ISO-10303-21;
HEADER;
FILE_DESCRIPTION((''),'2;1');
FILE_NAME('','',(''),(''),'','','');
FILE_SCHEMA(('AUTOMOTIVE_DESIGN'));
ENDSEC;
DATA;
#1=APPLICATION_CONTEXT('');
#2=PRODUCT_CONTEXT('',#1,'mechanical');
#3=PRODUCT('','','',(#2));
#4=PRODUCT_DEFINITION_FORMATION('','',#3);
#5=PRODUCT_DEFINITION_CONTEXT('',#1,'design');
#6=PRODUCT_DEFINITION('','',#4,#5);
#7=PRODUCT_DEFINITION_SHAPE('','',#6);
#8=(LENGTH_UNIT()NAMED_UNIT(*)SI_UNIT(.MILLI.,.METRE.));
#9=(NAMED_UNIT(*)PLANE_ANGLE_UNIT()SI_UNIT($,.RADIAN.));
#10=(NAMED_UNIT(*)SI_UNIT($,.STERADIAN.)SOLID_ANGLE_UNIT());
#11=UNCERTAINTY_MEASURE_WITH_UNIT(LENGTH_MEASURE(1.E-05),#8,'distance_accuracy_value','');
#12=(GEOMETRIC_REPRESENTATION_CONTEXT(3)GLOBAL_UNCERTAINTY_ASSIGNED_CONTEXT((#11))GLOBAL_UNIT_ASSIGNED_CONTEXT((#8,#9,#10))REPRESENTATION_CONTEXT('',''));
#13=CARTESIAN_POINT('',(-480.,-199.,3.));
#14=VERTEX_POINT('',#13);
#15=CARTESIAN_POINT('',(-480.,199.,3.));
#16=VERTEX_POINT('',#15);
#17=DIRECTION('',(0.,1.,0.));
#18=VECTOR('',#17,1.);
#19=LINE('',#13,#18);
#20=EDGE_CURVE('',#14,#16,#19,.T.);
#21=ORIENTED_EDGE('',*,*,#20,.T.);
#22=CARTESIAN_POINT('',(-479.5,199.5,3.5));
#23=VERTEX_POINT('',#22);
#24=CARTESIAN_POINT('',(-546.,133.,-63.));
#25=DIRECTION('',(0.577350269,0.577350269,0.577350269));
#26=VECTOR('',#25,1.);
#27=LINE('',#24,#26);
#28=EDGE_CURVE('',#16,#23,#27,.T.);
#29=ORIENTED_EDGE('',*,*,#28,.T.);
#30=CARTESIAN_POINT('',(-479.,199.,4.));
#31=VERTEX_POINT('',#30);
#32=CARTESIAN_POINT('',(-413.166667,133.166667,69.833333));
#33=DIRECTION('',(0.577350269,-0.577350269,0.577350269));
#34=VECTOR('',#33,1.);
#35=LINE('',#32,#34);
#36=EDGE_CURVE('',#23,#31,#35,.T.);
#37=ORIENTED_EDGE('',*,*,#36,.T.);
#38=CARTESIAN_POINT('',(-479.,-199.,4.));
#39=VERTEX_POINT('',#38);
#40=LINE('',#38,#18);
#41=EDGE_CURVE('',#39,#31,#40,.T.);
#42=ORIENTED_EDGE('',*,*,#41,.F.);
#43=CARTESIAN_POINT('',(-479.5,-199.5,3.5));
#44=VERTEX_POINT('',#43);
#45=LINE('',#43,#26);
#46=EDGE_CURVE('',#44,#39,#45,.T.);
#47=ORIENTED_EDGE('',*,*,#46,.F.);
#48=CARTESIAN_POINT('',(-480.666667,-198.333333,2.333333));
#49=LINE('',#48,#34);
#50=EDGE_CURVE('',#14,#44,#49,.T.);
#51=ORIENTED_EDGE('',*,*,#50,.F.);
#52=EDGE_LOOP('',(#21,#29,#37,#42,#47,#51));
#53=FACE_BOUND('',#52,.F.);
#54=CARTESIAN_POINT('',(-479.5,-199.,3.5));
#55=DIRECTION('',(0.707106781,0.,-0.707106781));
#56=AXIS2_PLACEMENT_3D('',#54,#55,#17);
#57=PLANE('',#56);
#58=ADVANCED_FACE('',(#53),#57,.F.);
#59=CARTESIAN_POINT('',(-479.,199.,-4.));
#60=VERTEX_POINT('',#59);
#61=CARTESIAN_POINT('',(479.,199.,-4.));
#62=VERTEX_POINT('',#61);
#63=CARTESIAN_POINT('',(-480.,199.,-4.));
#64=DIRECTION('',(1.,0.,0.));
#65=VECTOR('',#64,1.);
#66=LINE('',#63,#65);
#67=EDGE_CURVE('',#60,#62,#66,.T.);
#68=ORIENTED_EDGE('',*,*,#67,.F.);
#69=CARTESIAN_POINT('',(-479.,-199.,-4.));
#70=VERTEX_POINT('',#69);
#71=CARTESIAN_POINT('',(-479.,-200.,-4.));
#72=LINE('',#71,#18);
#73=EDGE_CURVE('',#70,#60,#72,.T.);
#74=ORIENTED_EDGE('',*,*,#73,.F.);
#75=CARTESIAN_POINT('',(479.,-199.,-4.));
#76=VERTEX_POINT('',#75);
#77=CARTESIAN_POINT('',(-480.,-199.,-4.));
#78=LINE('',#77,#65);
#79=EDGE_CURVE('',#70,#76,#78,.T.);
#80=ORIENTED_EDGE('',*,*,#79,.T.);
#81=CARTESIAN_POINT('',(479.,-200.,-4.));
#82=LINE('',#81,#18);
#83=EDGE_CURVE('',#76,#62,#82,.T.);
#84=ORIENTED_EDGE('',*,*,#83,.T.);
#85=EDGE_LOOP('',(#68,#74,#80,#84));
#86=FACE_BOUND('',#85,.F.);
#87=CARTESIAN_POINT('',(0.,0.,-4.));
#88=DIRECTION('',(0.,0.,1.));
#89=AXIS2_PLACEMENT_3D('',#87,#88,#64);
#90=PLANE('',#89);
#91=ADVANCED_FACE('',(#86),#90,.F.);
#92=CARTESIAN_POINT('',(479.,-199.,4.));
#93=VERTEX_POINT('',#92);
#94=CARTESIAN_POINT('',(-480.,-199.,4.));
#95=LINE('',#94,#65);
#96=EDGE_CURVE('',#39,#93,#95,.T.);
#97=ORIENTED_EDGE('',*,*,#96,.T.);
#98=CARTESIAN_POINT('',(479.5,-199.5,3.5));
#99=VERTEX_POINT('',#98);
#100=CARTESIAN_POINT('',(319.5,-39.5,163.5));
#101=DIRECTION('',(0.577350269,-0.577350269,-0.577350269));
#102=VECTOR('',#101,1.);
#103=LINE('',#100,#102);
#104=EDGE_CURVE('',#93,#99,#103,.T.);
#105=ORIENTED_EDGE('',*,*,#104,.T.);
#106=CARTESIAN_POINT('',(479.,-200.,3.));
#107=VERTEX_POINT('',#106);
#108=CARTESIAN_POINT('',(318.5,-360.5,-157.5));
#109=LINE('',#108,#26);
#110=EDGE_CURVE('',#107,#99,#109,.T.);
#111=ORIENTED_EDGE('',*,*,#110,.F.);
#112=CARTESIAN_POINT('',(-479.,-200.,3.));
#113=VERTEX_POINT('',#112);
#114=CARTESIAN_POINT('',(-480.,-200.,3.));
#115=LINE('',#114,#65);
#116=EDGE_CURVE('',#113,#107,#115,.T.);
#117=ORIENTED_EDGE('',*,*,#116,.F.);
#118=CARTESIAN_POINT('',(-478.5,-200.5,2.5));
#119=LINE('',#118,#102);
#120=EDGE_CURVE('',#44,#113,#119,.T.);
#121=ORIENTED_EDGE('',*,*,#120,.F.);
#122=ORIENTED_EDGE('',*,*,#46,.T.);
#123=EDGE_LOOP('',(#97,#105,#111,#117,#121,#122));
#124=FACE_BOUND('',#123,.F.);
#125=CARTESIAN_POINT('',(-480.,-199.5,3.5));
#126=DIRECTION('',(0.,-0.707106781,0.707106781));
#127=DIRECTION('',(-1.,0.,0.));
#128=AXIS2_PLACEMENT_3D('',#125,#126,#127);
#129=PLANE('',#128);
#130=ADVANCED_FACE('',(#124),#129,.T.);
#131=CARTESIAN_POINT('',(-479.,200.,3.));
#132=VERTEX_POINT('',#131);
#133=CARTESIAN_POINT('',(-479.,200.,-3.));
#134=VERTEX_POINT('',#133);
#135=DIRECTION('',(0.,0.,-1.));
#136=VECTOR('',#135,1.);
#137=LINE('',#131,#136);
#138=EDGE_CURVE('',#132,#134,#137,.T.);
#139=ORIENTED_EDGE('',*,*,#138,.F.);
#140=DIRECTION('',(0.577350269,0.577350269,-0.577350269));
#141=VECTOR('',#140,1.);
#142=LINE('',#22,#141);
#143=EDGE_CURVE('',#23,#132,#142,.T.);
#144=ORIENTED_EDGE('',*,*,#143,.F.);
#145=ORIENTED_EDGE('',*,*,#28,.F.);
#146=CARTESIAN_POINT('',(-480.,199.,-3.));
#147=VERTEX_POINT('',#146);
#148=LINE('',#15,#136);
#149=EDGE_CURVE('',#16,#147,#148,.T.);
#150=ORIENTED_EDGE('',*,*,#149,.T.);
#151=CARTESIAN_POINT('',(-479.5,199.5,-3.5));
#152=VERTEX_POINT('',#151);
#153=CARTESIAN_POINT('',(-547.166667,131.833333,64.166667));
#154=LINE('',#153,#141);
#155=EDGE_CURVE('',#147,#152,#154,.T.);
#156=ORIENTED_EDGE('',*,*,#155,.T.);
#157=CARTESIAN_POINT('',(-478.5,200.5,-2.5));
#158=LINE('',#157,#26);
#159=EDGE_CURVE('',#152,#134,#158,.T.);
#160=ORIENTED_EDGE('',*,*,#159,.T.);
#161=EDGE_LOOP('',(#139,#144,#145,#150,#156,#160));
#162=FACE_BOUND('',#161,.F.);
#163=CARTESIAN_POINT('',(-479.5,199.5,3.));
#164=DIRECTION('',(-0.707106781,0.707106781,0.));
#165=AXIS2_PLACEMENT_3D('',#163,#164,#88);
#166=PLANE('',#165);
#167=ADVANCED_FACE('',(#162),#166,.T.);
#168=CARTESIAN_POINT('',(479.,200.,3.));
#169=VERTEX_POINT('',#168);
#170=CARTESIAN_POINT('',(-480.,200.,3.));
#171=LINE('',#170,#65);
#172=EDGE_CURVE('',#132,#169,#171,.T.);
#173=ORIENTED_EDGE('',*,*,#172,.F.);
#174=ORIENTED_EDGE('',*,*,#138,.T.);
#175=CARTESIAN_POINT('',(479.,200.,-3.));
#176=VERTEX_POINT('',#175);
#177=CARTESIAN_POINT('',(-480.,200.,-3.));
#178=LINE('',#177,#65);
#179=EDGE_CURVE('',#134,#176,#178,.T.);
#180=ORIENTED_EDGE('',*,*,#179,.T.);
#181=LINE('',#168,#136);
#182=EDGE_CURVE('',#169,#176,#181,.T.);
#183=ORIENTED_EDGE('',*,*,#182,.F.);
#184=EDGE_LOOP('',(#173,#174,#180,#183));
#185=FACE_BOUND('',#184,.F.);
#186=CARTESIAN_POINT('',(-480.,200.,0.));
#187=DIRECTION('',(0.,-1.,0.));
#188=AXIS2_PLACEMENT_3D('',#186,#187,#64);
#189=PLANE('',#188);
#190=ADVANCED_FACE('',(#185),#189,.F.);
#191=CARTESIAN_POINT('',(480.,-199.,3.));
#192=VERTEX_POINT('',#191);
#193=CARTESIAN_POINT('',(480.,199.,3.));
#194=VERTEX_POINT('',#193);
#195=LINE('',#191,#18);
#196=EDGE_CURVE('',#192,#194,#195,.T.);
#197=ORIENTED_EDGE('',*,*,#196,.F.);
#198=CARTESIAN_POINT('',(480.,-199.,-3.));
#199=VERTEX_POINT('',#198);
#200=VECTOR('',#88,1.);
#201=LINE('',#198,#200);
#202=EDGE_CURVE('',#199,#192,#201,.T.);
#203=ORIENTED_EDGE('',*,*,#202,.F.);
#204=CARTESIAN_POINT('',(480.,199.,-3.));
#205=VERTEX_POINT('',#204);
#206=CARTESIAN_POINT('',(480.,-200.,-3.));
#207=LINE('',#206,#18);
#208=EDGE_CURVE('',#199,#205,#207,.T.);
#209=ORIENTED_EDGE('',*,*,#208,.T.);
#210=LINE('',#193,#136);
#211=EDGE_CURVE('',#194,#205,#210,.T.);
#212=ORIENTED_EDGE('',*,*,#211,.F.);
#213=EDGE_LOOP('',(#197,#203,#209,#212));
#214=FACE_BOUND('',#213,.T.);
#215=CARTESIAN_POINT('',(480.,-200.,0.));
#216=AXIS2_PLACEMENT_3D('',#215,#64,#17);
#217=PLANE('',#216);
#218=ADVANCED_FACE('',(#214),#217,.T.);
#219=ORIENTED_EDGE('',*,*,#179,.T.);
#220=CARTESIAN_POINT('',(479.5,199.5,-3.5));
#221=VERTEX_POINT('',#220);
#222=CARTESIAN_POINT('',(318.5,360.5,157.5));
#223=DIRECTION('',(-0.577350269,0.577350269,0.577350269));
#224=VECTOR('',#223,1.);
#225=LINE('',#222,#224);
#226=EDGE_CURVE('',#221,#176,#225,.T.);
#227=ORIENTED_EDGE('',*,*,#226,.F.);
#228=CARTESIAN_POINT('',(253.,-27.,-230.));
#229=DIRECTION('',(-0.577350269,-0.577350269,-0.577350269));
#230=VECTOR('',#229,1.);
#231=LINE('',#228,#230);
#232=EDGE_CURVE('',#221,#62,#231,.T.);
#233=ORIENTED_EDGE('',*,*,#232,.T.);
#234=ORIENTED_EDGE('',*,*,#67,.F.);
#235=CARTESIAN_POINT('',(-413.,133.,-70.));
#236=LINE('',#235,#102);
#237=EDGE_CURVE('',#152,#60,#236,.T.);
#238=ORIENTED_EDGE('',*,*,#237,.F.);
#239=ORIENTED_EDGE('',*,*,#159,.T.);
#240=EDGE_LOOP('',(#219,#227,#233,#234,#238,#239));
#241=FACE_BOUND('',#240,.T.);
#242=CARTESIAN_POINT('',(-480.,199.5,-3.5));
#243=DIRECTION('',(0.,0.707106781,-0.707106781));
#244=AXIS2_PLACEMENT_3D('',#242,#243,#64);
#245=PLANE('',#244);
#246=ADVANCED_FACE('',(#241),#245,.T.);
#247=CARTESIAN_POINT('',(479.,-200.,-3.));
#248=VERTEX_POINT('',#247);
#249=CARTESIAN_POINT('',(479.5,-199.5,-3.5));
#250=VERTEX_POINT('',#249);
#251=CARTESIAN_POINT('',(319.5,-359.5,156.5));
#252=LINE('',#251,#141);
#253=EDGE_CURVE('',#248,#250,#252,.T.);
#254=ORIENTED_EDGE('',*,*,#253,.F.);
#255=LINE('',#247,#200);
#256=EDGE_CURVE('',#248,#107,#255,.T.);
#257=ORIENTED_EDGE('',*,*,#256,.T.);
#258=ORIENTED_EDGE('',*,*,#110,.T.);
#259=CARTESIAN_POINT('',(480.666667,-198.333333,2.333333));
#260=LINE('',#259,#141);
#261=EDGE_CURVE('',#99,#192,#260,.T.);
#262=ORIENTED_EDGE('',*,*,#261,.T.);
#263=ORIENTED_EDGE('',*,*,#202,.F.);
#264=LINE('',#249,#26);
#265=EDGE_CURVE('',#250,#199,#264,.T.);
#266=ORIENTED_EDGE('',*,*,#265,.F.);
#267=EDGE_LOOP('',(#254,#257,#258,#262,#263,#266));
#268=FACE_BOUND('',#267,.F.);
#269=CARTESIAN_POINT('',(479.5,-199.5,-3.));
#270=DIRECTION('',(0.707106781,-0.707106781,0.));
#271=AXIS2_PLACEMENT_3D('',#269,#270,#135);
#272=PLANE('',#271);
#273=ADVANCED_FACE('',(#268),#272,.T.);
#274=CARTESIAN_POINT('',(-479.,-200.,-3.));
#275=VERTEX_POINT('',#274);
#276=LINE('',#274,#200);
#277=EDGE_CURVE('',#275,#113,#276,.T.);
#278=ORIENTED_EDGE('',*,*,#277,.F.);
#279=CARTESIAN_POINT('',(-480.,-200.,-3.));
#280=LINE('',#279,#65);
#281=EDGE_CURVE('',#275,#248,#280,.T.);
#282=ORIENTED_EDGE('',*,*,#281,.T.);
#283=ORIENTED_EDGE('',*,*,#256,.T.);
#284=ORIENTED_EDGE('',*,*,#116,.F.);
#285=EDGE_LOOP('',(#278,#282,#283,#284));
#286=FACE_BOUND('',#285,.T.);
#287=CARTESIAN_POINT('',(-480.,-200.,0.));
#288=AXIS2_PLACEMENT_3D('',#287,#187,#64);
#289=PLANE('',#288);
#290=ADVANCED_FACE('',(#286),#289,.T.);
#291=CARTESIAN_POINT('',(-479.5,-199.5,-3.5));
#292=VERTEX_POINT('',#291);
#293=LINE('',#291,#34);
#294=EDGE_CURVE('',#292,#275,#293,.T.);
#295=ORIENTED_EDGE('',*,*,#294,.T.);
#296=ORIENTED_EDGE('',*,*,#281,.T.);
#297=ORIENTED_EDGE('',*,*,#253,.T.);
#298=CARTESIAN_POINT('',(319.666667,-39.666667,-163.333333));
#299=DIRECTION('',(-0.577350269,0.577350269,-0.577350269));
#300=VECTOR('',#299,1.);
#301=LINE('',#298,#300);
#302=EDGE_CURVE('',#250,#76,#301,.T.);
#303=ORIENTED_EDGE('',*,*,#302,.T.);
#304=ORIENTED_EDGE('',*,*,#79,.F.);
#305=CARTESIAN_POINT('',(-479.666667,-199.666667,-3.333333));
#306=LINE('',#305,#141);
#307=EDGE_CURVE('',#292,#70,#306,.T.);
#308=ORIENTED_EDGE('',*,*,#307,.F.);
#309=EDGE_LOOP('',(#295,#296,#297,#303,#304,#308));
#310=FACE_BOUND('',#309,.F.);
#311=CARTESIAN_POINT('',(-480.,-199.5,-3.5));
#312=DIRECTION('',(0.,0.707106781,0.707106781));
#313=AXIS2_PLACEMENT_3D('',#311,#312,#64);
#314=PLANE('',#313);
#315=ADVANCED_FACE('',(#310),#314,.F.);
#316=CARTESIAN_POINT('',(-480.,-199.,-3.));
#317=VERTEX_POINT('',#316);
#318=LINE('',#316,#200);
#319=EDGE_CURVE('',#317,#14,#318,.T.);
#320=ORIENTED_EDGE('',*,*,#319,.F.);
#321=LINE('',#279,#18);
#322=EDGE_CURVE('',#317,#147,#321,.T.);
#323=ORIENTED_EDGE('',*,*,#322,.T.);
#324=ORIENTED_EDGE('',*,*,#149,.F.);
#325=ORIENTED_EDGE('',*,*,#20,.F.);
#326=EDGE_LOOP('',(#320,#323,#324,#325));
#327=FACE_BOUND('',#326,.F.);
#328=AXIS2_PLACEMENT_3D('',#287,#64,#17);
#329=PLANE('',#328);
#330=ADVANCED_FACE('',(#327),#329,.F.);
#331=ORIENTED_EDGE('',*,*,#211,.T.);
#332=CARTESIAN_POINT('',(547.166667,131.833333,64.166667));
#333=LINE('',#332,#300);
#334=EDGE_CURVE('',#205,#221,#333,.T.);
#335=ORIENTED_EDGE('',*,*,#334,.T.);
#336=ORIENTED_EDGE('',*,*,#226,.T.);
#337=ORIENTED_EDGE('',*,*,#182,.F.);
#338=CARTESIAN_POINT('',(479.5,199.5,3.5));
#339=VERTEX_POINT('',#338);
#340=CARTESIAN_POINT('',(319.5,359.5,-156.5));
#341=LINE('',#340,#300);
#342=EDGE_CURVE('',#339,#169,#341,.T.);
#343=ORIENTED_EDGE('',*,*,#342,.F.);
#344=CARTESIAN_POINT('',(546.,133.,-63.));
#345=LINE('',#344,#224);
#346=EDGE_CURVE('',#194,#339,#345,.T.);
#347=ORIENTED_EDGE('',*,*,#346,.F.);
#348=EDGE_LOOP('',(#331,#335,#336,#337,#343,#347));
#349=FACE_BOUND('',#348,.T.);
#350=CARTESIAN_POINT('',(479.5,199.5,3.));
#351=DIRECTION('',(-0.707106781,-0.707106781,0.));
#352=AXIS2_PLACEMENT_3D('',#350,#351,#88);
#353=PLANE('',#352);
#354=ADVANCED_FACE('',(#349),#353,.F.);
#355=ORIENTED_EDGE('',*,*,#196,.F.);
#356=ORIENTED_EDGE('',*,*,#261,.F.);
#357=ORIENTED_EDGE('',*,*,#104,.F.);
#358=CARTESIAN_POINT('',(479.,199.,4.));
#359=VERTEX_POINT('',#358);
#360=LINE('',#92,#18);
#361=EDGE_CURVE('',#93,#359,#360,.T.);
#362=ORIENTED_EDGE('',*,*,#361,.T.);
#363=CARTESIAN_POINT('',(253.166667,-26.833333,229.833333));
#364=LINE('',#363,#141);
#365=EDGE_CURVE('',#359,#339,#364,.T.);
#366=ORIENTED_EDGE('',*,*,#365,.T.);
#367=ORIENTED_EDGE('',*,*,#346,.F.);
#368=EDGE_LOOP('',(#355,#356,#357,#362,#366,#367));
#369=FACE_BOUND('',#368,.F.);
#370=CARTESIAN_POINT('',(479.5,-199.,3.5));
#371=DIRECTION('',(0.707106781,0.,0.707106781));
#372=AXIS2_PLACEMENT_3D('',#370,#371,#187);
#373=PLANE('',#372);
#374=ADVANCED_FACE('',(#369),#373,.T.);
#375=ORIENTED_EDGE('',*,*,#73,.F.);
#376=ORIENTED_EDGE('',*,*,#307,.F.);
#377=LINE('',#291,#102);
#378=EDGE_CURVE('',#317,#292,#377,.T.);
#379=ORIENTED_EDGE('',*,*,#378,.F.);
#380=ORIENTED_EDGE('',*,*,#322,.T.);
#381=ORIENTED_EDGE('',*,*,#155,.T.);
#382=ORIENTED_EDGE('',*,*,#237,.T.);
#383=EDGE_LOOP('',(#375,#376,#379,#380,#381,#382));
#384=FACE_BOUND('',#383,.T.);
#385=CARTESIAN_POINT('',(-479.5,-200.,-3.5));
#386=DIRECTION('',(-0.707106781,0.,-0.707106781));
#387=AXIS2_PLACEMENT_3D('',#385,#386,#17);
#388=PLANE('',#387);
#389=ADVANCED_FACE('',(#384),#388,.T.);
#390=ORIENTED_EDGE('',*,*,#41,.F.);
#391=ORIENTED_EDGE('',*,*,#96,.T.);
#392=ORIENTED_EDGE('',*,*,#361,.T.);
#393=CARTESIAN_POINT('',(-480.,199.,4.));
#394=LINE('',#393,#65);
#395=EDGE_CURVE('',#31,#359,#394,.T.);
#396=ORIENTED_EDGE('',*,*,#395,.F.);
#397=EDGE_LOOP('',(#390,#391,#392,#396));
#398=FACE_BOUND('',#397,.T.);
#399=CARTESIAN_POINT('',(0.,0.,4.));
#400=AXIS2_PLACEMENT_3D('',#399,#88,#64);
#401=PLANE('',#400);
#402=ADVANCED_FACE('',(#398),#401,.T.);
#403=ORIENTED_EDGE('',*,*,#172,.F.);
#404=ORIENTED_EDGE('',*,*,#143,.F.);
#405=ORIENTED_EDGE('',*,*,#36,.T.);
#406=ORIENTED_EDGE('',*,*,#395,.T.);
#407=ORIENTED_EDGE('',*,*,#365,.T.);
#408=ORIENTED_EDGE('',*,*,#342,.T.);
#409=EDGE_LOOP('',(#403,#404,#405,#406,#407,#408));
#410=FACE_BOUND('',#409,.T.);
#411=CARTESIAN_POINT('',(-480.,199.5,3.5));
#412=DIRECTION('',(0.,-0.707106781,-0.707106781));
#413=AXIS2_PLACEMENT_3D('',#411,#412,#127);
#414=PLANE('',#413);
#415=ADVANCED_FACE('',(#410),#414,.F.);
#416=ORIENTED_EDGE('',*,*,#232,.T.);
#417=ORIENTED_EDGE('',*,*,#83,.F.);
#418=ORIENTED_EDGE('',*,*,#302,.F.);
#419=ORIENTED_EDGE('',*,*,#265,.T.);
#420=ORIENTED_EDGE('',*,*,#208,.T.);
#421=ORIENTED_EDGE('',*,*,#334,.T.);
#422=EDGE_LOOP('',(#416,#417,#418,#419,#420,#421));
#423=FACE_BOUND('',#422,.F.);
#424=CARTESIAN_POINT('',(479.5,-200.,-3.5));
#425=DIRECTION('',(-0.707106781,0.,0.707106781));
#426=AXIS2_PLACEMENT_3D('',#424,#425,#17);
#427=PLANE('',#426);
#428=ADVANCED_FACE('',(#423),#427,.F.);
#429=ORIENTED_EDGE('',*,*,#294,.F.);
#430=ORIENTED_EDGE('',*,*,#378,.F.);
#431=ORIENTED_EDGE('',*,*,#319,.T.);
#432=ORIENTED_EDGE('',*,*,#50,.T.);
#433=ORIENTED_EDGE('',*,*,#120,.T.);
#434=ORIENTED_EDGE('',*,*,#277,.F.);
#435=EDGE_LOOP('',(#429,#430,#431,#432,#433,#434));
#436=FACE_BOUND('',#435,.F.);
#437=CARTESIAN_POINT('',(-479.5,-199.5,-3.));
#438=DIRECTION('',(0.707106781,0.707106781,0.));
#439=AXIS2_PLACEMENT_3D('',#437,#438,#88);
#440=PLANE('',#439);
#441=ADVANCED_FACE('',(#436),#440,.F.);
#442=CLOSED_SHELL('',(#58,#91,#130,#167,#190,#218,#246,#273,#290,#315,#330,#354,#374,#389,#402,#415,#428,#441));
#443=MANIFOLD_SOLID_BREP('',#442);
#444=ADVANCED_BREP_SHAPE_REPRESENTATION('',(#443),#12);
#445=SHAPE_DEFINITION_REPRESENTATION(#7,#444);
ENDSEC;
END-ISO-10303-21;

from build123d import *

# Parameters (mm, degrees)
F0_W     = 960
F0_H     = 400
F1_DEPTH = 4
F2_SIZE  = 1
F3_SIZE  = 1
F4_SIZE  = 1
F5_SIZE  = 1
F6_SIZE  = 1
F7_SIZE  = 1
F8_SIZE  = 1
F9_SIZE  = 1
F10_SIZE = 1


with BuildPart() as f1:
    # F0 (on Top) → F1 (new body, symmetric)
    with BuildSketch(Plane.XY):
        Rectangle(F0_W, F0_H)
    extrude(amount=F1_DEPTH, both=True)

    # F2
    f2_edges = [f1.edges().sort_by_distance(p)[0] for p in [
        (0, -200, 4),
    ]]
    chamfer(f2_edges, length=F2_SIZE)

    # F3
    f3_edges = [f1.edges().sort_by_distance(p)[0] for p in [
        (480, 0.5, 4),
    ]]
    chamfer(f3_edges, length=F3_SIZE)

    # F4
    f4_edges = [f1.edges().sort_by_distance(p)[0] for p in [
        (-0.5, 200, 4),
    ]]
    chamfer(f4_edges, length=F4_SIZE)

    # F5
    f5_edges = [f1.edges().sort_by_distance(p)[0] for p in [
        (0, -200, -4),
        (-480, 0, -4),
        (0, 200, -4),
        (480, 0, -4),
    ]]
    chamfer(f5_edges, length=F5_SIZE)

    # F6
    f6_edges = [f1.edges().sort_by_distance(p)[0] for p in [
        (-480, 0, 4),
    ]]
    chamfer(f6_edges, length=F6_SIZE)

    # F7
    f7_edges = [f1.edges().sort_by_distance(p)[0] for p in [
        (-480, 200, 0),
    ]]
    chamfer(f7_edges, length=F7_SIZE)

    # F8
    f8_edges = [f1.edges().sort_by_distance(p)[0] for p in [
        (-480, -200, 0),
    ]]
    chamfer(f8_edges, length=F8_SIZE)

    # F9
    f9_edges = [f1.edges().sort_by_distance(p)[0] for p in [
        (480, -200, 0),
    ]]
    chamfer(f9_edges, length=F9_SIZE)

    # F10
    f10_edges = [f1.edges().sort_by_distance(p)[0] for p in [
        (480, 200, 0),
    ]]
    chamfer(f10_edges, length=F10_SIZE)


solid = f1.part
